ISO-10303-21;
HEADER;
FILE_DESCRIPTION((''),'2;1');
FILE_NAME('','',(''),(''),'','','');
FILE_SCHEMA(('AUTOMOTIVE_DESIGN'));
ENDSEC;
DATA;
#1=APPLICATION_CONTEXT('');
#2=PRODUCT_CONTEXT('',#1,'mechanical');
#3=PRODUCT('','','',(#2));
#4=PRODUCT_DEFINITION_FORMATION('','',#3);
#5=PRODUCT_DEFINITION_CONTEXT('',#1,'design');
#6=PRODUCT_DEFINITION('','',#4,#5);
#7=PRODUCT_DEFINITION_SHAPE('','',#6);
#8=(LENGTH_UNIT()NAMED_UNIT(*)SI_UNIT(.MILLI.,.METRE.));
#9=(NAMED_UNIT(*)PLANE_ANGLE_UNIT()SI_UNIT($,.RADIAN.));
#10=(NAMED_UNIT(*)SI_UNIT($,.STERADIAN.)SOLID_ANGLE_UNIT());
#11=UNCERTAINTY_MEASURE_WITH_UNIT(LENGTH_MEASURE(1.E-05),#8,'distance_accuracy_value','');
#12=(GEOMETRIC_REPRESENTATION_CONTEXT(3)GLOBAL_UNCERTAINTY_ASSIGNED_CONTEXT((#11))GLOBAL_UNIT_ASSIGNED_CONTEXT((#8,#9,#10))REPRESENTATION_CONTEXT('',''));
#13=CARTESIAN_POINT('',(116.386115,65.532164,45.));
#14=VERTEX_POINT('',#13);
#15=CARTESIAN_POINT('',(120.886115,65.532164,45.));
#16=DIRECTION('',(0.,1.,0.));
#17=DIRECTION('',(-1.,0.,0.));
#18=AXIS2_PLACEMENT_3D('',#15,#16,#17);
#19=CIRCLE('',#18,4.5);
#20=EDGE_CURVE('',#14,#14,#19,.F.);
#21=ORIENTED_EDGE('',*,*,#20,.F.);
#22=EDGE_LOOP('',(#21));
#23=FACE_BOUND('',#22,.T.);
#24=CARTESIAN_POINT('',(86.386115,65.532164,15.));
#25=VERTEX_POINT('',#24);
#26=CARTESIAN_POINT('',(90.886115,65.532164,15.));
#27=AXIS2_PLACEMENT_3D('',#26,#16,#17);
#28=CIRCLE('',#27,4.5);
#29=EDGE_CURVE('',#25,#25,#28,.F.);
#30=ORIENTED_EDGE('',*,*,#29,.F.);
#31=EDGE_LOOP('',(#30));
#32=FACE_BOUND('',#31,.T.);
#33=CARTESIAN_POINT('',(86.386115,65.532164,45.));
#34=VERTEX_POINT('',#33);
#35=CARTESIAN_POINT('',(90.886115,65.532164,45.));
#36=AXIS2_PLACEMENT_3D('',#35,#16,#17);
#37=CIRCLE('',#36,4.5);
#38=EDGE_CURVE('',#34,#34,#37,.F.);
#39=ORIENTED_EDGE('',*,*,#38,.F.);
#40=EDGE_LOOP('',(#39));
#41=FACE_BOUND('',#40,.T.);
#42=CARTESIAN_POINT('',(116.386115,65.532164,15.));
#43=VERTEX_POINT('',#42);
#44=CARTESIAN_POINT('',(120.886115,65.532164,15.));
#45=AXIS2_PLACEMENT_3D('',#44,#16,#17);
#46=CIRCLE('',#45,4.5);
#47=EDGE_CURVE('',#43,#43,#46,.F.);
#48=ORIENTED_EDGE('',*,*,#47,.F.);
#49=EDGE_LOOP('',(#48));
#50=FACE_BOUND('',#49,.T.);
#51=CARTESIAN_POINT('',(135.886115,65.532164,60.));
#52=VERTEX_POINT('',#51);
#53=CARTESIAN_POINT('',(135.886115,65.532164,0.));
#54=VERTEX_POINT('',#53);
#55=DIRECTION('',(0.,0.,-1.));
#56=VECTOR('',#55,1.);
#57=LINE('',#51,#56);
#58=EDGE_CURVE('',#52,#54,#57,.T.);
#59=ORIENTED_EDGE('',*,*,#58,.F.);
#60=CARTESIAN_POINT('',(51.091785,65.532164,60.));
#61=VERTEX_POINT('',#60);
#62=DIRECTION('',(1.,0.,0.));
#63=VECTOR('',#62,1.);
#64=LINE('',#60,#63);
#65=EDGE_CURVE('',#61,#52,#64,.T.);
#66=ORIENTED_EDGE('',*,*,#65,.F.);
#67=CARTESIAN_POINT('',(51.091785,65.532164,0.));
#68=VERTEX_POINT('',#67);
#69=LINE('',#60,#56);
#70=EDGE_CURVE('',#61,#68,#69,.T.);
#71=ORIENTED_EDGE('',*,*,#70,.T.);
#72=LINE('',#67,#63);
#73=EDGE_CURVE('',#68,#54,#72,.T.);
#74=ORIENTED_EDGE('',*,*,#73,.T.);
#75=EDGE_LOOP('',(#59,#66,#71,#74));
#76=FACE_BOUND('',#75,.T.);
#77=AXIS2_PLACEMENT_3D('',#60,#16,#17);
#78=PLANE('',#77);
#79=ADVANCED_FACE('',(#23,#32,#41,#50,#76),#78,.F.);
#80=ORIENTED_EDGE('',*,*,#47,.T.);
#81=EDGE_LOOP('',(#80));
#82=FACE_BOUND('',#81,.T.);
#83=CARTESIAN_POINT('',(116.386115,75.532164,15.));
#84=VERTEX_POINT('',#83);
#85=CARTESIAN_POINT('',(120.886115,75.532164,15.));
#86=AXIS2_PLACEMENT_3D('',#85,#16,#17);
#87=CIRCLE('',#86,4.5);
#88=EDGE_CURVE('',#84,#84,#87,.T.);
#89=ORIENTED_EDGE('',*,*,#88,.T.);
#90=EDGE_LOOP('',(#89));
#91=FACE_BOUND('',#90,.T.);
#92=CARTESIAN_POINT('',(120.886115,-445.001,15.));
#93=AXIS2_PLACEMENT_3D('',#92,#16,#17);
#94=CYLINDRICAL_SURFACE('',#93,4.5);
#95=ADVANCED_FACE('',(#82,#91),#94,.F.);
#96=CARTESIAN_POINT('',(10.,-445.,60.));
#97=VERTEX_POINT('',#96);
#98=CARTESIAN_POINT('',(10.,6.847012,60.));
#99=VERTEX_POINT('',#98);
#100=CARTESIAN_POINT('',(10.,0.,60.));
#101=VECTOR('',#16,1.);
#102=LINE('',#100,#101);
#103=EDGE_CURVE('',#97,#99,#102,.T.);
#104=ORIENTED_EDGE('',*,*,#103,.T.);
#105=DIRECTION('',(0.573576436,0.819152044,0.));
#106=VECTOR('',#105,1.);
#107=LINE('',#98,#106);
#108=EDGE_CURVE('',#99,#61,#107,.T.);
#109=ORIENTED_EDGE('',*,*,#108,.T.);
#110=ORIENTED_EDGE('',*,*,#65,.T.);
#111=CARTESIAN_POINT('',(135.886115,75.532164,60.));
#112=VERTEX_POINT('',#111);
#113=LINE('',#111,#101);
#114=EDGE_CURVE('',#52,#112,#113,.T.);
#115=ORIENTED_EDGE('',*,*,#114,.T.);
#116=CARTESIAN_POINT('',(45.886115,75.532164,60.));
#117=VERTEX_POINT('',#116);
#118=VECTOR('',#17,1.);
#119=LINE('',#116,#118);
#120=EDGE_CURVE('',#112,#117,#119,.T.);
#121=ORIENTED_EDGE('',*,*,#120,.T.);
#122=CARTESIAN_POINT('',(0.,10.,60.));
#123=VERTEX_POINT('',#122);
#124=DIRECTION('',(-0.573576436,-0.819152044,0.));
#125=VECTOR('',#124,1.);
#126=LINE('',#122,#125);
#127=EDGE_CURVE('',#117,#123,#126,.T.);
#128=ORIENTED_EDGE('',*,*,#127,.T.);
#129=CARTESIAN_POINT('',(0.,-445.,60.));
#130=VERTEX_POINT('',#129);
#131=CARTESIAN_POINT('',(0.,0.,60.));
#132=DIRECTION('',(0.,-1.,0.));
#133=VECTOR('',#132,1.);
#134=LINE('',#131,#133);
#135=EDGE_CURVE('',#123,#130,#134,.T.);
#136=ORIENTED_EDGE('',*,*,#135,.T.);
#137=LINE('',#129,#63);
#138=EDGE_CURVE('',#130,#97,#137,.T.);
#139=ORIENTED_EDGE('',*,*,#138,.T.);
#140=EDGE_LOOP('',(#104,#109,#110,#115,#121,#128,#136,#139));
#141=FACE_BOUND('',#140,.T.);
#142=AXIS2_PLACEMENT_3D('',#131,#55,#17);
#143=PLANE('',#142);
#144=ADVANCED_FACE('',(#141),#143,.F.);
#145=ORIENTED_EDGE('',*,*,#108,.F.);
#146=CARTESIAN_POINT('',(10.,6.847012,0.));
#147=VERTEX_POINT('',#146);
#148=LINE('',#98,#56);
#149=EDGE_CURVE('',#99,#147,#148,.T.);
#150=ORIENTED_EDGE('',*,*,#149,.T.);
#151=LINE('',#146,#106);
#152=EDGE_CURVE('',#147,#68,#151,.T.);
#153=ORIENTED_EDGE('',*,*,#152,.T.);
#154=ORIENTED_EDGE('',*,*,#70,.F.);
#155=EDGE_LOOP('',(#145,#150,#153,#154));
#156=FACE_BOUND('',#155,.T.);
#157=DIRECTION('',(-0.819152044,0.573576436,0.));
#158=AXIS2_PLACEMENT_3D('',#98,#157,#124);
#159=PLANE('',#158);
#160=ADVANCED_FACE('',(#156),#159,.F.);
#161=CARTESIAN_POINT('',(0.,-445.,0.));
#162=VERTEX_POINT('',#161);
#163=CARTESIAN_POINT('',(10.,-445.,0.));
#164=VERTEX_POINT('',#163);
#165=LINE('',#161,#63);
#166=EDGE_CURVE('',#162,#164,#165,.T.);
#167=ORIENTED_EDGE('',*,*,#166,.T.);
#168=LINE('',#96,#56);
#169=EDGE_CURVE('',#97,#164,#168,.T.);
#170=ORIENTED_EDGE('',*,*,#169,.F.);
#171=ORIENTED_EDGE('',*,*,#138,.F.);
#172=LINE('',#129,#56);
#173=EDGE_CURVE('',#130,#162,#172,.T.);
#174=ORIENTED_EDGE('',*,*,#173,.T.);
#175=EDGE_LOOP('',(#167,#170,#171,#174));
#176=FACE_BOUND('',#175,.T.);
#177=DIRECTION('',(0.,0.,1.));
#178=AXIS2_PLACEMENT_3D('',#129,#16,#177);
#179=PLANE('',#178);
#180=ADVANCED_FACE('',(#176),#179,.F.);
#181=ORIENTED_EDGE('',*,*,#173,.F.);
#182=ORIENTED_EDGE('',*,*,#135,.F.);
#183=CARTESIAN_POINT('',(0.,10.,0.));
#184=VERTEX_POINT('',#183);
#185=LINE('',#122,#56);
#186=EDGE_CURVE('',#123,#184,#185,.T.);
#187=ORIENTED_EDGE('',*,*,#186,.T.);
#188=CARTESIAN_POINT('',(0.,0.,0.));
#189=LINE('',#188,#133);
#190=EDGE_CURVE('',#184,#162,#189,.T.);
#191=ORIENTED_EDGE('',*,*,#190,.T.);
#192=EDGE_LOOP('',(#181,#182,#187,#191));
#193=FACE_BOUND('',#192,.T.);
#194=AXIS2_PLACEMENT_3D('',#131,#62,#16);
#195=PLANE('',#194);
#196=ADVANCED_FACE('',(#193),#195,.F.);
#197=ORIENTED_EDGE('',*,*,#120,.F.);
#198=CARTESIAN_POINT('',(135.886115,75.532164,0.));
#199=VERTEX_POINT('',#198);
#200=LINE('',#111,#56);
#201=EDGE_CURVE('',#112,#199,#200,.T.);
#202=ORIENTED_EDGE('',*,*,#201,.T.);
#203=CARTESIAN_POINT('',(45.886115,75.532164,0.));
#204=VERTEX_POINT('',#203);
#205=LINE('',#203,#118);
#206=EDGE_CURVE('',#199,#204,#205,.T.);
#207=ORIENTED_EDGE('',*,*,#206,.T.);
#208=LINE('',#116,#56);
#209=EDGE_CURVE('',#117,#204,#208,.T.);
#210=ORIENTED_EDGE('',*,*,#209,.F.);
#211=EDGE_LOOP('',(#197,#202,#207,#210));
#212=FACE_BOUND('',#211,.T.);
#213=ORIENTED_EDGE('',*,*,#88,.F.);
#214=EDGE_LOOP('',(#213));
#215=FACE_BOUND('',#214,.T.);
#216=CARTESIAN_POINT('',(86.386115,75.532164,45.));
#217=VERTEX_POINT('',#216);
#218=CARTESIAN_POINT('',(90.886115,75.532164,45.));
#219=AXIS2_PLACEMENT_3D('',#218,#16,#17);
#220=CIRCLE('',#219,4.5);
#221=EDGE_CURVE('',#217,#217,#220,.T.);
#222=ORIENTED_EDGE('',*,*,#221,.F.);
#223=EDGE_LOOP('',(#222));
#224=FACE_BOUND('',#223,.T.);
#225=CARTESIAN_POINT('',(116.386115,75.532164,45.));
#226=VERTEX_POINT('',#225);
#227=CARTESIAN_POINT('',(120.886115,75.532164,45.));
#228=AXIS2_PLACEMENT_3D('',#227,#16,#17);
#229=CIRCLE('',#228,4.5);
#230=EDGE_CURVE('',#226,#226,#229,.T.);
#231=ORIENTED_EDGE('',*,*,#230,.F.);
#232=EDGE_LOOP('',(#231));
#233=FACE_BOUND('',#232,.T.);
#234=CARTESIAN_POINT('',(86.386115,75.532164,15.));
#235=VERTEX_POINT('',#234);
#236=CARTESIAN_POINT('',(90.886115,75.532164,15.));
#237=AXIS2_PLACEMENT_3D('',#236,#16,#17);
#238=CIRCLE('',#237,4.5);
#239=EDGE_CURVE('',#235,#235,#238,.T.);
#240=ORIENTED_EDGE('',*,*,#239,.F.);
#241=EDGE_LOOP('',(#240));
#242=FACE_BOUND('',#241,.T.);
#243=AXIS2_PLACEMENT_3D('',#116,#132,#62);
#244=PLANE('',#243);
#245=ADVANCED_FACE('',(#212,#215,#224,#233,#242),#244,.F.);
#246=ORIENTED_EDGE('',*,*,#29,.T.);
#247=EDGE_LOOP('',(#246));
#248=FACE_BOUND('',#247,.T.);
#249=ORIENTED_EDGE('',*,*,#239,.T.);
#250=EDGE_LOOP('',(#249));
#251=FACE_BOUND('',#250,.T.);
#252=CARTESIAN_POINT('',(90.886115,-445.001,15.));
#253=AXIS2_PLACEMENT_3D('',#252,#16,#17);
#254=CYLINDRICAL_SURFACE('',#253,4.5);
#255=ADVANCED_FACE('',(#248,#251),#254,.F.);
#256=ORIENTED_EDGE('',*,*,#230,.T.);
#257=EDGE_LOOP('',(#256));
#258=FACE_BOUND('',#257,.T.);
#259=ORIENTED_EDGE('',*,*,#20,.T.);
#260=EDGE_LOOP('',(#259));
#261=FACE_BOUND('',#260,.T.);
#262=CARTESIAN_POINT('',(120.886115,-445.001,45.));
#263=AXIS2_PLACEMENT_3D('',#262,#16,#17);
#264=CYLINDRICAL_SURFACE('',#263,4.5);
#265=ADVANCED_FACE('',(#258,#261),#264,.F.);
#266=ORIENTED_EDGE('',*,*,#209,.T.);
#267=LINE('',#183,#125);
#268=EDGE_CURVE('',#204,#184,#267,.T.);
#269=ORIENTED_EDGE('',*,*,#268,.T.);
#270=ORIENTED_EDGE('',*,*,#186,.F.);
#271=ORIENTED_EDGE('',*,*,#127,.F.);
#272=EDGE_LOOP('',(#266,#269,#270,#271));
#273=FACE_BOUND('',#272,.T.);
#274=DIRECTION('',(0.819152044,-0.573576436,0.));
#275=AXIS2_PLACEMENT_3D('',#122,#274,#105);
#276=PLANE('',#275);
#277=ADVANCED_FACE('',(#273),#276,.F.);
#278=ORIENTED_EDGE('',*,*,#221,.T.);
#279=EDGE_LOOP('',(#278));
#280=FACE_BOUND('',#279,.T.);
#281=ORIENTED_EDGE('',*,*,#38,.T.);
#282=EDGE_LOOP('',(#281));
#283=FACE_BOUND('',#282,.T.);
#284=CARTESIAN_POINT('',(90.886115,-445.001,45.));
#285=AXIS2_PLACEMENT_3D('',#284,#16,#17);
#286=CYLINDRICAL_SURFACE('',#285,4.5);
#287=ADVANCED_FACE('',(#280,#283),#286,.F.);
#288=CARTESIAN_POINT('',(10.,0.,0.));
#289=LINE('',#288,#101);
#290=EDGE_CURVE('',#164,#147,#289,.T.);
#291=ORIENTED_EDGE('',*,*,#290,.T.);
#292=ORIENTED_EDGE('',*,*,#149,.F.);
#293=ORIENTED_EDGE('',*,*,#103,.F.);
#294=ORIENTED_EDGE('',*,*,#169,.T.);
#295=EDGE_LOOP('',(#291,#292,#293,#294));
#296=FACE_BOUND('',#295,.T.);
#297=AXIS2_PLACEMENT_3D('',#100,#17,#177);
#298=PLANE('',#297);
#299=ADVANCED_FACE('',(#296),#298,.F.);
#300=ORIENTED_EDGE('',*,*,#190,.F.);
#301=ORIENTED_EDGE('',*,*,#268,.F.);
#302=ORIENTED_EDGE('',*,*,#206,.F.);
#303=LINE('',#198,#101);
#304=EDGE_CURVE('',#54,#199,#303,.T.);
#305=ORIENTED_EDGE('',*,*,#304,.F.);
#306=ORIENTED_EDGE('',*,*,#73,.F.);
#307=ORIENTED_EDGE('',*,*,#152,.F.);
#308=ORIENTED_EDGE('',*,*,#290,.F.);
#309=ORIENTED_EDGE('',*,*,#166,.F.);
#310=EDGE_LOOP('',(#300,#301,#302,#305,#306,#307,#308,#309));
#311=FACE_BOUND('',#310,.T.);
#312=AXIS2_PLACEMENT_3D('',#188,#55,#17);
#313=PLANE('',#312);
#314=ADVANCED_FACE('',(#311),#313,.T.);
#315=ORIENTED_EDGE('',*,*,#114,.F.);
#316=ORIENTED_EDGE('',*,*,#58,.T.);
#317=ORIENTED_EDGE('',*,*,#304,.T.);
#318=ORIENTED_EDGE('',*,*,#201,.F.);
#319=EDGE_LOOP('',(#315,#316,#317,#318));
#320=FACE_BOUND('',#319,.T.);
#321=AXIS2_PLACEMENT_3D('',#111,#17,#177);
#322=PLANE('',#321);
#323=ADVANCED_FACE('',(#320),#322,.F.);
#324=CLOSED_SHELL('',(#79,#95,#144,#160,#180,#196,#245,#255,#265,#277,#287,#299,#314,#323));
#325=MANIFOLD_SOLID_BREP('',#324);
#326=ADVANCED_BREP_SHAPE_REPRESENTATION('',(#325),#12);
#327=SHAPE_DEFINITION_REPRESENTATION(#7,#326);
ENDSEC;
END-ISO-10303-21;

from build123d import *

# Parameters (mm, degrees)
BOSS_EXTRUDE1_DEPTH = 60
CUT_EXTRUDE1_REACH  = 543.312
SKETCH2_R           = 4.5


with BuildPart() as part:
    # Sketch1 → Boss-Extrude1 (new body)
    with BuildSketch(Plane.XY):
        Polygon((0, 0), (0, -445), (10, -445), (10, 0), (10, 6.847012111), (51.091785414, 65.532163543), (135.886114908, 65.532163543), (135.886114908, 75.532163543), (45.886114908, 75.532163543), (0, 10), align=None)
    extrude(amount=BOSS_EXTRUDE1_DEPTH)

    # Sketch2 → Cut-Extrude1 (cut, up to next)
    with BuildSketch(Plane(origin=(0, 75.532163543, 0), x_dir=(1, 0, 0), z_dir=(0, 1, 0)), mode=Mode.PRIVATE) as cut_extrude1_sk1:
        with Locations(Location((120.886114908, -15, 0), (0, 0, 180))):
            Circle(SKETCH2_R)
    cut_extrude1_tool1 = extrude(cut_extrude1_sk1.sketch, amount=-CUT_EXTRUDE1_REACH, mode=Mode.PRIVATE) & part.part
    # Sketch2 → Cut-Extrude1 (cut, up to next)
    with BuildSketch(Plane(origin=(0, 75.532163543, 0), x_dir=(1, 0, 0), z_dir=(0, 1, 0)), mode=Mode.PRIVATE) as cut_extrude1_sk2:
        with Locations(Location((120.886114908, -45, 0), (0, 0, 180))):
            Circle(SKETCH2_R)
    cut_extrude1_tool2 = extrude(cut_extrude1_sk2.sketch, amount=-CUT_EXTRUDE1_REACH, mode=Mode.PRIVATE) & part.part
    # Sketch2 → Cut-Extrude1 (cut, up to next)
    with BuildSketch(Plane(origin=(0, 75.532163543, 0), x_dir=(1, 0, 0), z_dir=(0, 1, 0)), mode=Mode.PRIVATE) as cut_extrude1_sk3:
        with Locations(Location((90.886114908, -15, 0), (0, 0, 180))):
            Circle(SKETCH2_R)
    cut_extrude1_tool3 = extrude(cut_extrude1_sk3.sketch, amount=-CUT_EXTRUDE1_REACH, mode=Mode.PRIVATE) & part.part
    # Sketch2 → Cut-Extrude1 (cut, up to next)
    with BuildSketch(Plane(origin=(0, 75.532163543, 0), x_dir=(1, 0, 0), z_dir=(0, 1, 0)), mode=Mode.PRIVATE) as cut_extrude1_sk4:
        with Locations(Location((90.886114908, -45, 0), (0, 0, 180))):
            Circle(SKETCH2_R)
    cut_extrude1_tool4 = extrude(cut_extrude1_sk4.sketch, amount=-CUT_EXTRUDE1_REACH, mode=Mode.PRIVATE) & part.part
    add(cut_extrude1_tool1.solids().sort_by_distance((120.886115, 75.532164, 15))[0], mode=Mode.SUBTRACT)
    add(cut_extrude1_tool2.solids().sort_by_distance((120.886115, 75.532164, 45))[0], mode=Mode.SUBTRACT)
    add(cut_extrude1_tool3.solids().sort_by_distance((90.886115, 75.532164, 15))[0], mode=Mode.SUBTRACT)
    add(cut_extrude1_tool4.solids().sort_by_distance((90.886115, 75.532164, 45))[0], mode=Mode.SUBTRACT)


solid = part.part
